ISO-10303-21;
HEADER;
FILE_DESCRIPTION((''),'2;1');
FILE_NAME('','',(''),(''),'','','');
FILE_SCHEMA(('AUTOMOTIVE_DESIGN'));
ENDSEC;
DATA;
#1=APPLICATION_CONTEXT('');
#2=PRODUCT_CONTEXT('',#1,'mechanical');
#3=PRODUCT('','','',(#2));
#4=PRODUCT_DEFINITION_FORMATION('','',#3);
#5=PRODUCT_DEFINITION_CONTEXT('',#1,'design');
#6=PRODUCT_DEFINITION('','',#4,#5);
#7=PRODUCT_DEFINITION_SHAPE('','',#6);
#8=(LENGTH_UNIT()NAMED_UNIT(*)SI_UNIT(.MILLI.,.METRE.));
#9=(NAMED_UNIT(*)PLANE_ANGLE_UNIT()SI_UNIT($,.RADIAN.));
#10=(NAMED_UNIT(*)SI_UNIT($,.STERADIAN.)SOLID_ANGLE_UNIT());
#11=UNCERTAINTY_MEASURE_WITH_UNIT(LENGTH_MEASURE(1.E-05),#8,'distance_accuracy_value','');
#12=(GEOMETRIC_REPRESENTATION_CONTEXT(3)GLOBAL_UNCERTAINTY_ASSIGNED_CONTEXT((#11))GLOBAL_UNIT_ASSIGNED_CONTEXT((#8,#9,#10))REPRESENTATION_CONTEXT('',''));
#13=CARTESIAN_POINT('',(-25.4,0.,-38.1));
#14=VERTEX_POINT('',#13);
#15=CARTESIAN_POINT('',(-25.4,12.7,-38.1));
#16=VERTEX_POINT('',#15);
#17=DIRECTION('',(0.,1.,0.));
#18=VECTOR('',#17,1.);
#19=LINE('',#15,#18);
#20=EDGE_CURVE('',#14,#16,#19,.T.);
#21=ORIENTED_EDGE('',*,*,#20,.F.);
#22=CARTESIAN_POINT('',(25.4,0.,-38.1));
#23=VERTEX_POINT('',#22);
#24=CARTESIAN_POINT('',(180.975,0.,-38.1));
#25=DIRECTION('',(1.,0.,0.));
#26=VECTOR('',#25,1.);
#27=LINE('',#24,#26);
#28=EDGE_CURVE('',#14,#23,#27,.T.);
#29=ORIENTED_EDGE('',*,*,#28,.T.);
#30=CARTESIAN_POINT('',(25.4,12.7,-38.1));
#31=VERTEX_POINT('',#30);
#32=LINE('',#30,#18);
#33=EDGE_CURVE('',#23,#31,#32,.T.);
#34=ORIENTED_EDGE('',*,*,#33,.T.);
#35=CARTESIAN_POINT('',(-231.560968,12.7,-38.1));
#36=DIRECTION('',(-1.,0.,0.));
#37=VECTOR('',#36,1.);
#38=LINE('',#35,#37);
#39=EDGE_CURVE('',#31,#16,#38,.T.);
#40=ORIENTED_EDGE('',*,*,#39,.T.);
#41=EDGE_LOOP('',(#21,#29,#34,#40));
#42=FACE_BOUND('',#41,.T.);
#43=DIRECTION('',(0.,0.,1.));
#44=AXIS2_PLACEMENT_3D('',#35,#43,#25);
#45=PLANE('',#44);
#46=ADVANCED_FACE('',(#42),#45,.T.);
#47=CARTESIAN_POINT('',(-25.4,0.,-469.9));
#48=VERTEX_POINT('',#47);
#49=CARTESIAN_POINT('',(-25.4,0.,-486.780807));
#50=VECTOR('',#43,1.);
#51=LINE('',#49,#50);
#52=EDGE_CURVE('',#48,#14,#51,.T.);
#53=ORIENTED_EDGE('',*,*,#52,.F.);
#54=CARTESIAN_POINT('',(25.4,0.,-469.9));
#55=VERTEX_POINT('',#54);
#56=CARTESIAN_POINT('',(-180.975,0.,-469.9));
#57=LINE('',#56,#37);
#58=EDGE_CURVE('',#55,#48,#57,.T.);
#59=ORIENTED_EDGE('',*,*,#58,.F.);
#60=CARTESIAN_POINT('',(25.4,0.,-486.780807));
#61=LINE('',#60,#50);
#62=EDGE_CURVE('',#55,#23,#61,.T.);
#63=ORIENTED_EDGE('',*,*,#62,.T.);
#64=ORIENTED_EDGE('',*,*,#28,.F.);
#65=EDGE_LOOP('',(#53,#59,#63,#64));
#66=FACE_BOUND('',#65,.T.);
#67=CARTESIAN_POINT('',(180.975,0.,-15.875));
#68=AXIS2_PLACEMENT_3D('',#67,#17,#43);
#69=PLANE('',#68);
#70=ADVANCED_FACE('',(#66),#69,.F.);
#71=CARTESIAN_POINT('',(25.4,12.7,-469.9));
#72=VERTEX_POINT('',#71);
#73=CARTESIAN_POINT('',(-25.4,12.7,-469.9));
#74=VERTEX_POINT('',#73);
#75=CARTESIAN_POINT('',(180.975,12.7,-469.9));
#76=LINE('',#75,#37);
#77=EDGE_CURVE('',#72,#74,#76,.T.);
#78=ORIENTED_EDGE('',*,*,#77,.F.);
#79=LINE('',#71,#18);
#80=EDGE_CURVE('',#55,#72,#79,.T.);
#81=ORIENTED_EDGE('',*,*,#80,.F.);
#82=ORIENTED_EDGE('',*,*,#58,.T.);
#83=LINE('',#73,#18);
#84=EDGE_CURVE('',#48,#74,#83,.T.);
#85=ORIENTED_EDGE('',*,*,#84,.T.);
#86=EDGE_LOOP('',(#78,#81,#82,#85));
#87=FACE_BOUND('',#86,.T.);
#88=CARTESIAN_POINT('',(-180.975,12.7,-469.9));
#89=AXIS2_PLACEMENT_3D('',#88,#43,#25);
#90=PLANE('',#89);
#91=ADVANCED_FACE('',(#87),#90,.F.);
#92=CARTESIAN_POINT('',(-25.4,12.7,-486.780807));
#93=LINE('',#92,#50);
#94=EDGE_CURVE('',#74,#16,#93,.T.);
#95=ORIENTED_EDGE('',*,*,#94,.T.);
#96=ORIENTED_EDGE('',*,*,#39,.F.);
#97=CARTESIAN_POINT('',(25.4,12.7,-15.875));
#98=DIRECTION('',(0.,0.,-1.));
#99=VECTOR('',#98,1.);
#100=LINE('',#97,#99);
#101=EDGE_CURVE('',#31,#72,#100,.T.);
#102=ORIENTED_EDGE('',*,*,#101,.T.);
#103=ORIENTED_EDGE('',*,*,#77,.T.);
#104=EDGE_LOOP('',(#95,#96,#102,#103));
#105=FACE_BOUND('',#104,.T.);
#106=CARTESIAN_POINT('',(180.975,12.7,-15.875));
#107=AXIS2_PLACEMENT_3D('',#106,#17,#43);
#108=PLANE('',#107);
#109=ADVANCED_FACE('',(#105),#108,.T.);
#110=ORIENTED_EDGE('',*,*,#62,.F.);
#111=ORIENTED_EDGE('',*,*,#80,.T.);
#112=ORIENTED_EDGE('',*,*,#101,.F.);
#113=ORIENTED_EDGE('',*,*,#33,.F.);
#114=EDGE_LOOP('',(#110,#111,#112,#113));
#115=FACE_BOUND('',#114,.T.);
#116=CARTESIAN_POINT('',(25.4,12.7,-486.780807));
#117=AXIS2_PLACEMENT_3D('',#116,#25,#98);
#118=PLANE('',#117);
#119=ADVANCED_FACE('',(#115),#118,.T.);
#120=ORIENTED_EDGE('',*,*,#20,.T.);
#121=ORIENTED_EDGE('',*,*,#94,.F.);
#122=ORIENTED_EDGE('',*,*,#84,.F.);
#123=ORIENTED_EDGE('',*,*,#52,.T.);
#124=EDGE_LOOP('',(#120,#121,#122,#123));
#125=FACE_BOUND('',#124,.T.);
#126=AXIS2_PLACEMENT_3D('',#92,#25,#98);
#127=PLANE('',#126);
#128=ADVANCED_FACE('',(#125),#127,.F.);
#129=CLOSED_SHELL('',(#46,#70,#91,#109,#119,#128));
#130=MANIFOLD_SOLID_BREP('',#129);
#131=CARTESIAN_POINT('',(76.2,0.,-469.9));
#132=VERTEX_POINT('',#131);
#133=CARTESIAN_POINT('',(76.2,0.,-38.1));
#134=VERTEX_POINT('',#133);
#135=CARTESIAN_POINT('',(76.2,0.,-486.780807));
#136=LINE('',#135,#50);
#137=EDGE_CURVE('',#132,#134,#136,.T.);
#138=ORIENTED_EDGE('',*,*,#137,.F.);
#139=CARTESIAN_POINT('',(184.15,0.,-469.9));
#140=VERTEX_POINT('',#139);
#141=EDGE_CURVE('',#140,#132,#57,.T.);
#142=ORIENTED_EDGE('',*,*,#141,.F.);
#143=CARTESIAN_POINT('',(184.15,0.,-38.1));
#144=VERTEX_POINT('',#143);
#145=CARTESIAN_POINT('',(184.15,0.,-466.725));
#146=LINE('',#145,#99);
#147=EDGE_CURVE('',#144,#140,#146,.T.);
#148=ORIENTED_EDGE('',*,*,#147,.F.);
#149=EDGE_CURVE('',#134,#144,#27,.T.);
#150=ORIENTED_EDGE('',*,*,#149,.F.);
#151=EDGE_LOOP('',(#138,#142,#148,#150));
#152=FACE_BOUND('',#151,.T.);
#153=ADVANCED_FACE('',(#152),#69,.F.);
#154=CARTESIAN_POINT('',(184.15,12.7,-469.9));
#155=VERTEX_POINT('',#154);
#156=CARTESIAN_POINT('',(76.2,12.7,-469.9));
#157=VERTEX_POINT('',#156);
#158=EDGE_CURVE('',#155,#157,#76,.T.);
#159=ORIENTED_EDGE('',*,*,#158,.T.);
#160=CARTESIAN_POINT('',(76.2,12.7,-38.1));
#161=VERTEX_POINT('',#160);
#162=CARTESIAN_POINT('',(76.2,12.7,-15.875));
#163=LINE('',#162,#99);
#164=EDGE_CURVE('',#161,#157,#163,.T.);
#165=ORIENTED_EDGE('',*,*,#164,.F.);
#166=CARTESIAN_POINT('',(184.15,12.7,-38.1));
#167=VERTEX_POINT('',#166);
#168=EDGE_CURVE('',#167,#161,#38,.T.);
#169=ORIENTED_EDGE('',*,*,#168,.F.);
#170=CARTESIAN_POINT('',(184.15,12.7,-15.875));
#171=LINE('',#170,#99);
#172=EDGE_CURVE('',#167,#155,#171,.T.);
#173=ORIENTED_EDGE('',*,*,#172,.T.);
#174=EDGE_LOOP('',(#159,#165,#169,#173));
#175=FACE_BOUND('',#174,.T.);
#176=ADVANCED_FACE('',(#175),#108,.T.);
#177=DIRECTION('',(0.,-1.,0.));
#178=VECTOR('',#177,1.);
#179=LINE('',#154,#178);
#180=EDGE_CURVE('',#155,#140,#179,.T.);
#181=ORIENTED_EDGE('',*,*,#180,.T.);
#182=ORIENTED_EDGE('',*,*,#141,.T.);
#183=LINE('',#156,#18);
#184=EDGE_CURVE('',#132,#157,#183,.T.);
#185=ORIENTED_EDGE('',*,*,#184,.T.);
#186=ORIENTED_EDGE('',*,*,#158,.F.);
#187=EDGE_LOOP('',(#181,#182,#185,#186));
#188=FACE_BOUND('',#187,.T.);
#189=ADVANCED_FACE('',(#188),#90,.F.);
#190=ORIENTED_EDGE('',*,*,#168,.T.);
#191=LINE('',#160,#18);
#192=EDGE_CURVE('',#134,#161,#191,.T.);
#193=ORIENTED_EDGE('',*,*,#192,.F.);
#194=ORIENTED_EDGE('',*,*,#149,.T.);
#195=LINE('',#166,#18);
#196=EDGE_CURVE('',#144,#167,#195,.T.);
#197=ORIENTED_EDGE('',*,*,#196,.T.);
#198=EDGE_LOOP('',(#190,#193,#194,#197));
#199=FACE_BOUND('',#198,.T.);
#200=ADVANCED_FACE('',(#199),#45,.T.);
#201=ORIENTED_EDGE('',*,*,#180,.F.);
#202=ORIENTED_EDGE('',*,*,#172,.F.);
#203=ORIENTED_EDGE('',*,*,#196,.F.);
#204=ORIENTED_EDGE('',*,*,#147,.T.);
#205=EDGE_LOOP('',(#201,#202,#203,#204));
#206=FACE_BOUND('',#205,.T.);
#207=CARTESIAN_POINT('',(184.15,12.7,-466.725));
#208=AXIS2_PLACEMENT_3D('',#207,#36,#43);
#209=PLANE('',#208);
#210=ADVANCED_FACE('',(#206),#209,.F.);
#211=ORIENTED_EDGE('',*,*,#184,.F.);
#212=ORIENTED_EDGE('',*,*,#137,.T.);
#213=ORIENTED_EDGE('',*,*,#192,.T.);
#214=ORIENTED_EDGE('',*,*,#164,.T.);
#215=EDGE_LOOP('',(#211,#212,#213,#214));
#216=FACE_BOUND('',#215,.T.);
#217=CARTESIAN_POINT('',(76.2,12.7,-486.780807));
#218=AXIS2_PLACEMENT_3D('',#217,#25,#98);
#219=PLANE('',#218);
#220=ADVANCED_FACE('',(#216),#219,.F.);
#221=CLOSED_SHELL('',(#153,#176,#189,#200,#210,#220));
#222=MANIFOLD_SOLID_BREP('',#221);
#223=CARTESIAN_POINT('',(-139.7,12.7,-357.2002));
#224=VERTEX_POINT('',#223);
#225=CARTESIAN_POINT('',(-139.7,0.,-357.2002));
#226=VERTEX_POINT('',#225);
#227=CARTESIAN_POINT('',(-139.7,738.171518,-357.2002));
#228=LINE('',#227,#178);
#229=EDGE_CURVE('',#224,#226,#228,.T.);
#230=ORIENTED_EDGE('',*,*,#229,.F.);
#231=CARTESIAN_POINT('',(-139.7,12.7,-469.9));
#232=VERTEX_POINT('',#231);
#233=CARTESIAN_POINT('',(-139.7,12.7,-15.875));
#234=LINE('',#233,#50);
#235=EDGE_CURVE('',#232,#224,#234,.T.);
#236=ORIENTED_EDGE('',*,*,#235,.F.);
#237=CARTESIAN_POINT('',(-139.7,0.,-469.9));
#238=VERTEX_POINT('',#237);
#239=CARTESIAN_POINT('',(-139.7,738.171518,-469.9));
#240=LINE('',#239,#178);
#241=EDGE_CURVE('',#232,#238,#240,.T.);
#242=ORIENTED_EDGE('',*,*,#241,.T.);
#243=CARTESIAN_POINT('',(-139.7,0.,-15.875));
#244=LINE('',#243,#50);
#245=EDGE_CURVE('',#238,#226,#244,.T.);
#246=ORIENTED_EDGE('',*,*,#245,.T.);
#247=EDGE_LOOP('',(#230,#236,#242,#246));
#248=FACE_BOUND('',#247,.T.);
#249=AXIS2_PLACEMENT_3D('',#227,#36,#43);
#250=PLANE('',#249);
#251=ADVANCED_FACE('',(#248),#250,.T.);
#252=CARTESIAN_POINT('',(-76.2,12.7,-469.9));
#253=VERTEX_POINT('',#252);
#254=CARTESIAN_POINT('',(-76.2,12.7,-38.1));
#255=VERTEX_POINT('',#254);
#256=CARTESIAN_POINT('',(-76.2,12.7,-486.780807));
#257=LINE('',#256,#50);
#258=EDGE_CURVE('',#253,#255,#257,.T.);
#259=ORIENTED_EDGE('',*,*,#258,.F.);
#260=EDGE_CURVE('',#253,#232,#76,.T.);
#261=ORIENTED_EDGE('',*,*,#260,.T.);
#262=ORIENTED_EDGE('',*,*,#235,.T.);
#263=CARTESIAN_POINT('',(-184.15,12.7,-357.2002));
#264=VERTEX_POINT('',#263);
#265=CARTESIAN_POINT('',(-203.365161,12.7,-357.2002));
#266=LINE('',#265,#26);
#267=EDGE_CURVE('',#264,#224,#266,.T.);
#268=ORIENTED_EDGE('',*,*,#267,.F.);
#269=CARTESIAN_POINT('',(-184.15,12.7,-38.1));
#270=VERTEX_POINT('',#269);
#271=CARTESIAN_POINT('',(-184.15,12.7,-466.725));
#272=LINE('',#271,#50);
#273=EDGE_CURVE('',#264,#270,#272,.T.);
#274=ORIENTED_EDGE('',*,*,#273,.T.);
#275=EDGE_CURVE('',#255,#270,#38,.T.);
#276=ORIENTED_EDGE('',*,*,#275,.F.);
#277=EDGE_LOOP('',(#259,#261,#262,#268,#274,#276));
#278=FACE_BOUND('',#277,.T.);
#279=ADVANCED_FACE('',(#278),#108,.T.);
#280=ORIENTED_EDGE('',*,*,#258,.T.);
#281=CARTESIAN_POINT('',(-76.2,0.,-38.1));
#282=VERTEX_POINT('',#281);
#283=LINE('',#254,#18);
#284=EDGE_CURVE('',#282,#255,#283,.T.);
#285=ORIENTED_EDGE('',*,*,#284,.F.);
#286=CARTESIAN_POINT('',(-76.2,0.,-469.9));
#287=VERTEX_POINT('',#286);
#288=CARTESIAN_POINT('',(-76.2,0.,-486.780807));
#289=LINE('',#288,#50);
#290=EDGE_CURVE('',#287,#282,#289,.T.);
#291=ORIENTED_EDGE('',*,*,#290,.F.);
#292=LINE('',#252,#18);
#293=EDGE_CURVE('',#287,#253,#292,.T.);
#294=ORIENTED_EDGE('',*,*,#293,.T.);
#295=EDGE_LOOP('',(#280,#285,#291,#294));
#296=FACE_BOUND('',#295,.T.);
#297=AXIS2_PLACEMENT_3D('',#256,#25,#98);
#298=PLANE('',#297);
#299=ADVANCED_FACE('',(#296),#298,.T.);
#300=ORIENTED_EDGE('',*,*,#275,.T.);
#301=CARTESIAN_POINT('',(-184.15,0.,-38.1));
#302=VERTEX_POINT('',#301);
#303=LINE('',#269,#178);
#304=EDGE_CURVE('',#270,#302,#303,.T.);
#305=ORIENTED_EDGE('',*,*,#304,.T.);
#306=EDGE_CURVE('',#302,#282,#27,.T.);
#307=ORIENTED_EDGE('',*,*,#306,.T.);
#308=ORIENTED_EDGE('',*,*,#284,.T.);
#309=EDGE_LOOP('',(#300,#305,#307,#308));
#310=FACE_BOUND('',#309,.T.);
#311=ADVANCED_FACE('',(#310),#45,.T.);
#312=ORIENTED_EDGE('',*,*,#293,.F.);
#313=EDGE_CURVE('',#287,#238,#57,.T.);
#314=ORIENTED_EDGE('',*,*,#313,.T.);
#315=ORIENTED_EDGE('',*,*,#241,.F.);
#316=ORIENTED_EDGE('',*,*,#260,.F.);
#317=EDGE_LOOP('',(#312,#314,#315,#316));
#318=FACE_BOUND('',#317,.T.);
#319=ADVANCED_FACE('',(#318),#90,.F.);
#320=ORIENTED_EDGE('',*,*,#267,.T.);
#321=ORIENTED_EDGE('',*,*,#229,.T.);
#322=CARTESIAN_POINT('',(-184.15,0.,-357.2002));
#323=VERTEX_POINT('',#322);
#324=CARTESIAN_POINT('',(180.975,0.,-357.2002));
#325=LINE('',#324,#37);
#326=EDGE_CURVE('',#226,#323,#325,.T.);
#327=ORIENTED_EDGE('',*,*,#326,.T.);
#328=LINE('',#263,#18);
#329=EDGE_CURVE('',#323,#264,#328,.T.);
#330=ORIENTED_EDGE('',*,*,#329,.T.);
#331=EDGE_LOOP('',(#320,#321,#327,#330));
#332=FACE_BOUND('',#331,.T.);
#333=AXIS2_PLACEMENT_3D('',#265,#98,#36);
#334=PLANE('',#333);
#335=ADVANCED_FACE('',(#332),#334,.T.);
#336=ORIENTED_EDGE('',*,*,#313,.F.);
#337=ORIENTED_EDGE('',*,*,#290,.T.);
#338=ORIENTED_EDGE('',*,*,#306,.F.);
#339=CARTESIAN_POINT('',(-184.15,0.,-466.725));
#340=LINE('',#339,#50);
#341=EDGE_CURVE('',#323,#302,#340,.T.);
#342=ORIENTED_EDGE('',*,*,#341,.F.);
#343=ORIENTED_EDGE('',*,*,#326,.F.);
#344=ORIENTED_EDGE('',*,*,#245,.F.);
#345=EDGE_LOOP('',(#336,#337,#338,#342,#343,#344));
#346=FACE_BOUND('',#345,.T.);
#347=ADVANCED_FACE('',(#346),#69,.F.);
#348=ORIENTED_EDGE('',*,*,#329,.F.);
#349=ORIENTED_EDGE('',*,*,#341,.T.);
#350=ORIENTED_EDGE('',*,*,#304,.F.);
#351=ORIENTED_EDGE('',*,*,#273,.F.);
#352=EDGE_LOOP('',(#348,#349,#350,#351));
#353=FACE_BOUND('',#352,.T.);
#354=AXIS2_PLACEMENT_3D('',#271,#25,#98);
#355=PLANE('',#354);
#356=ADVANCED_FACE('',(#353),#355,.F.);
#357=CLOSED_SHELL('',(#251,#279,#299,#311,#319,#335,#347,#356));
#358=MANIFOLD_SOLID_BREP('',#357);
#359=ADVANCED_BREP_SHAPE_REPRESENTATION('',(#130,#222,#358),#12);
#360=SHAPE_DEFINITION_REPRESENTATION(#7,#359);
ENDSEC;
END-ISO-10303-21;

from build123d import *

# Parameters (mm, degrees)
EXTRUDE2_DEPTH          = 12.7
SKETCH3_W               = 463.121935294
SKETCH3_H               = 86.735895098
CUT_EXTRUDE1_DEPTH      = 505.854951942
CUT_EXTRUDE2_DEPTH      = 505.854951942
SKETCH5_W               = 50.8
SKETCH5_H               = 476.704079848
CUT_EXTRUDE3_DEPTH      = 505.854951942
CUT_EXTRUDE4_DEPTH      = 505.854951942
CUT_EXTRUDE4_DEPTH_BACK = 505.854951942


with BuildPart() as part:
    # Sketch2 → Extrude2 (new body)
    with BuildSketch(Plane(origin=(0, 0, 0), x_dir=(1, 0, 0), z_dir=(0, 1, 0))):
        with BuildLine():
            Line((180.975, 469.9), (-180.975, 469.9))
            Line((-180.975, 469.9), (-184.15, 469.9))
            Line((-184.15, 469.9), (-184.15, 466.725))
            Line((-184.15, 466.725), (-184.15, 15.875))
            ThreePointArc((-184.15, 15.875), (-183.22006403, 13.62993597), (-180.975, 12.7))
            Line((-180.975, 12.7), (180.975, 12.7))
            ThreePointArc((180.975, 12.7), (183.22006403, 13.62993597), (184.15, 15.875))
            Line((184.15, 15.875), (184.15, 466.725))
            Line((184.15, 466.725), (184.15, 469.9))
            Line((184.15, 469.9), (180.975, 469.9))
        make_face()
    extrude(amount=EXTRUDE2_DEPTH)

    # Sketch3 → Cut-Extrude1 (cut, through all)
    with BuildSketch(Plane(origin=(0, 0, 0), x_dir=(1, 0, 0), z_dir=(0, 1, 0))):
        with Locations((0, -5.267947549)):
            Rectangle(SKETCH3_W, SKETCH3_H)
    extrude(amount=CUT_EXTRUDE1_DEPTH, mode=Mode.SUBTRACT)

    # Sketch4 → Cut-Extrude2 (cut, through all)
    with BuildSketch(Plane(origin=(0, 0, 0), x_dir=(1, 0, 0), z_dir=(0, 1, 0))):
        with BuildLine():
            Line((-165.1, 408.0002), (-203.365160902, 408.0002))
            Line((-203.365160902, 408.0002), (-203.365160902, 357.2002))
            Line((-203.365160902, 357.2002), (-165.1, 357.2002))
            ThreePointArc((-165.1, 357.2002), (-139.7, 382.6002), (-165.1, 408.0002))
        make_face()
    extrude(amount=CUT_EXTRUDE2_DEPTH, mode=Mode.SUBTRACT)

    # Sketch5 → Cut-Extrude3 (cut, through all)
    with BuildSketch(Plane(origin=(0, 0, 0), x_dir=(1, 0, 0), z_dir=(0, 1, 0))):
        with Locations((-50.8, 248.428767098)):
            Rectangle(SKETCH5_W, SKETCH5_H)
        with Locations((50.8, 248.428767098)):
            Rectangle(SKETCH5_W, SKETCH5_H)
    extrude(amount=CUT_EXTRUDE3_DEPTH, mode=Mode.SUBTRACT)


with BuildPart() as cut_extrude3_piece_1:
    # of the separate pieces the step leaves, piece 1, a body of its own (cut_extrude3_pieces)
    add(part.part.solids().sort_by_distance((184.15, 0, -469.9))[0])


with BuildPart() as cut_extrude3_piece_2:
    # of the separate pieces the step leaves, piece 2, a body of its own (cut_extrude3_pieces)
    add(part.part.solids().sort_by_distance((-76.2, 0, -469.9))[0])

    # Sketch6 → Cut-Extrude4 (cut, two sides: drawn at the far end of the back side and taken through both)
    with BuildSketch(Plane(origin=(0, 12.7, 0), x_dir=(-1, 0, 0), z_dir=(0, 1, 0)).offset(-CUT_EXTRUDE4_DEPTH_BACK)):
        Polygon((1273.65, -357.2002), (184.15, -357.2002), (139.7, -357.2002), (139.7, -469.9), (139.7, -1559.4), (1724.822887689, -3054.534251806), (2858.772887689, -1852.334451806), align=None)
    extrude(amount=CUT_EXTRUDE4_DEPTH + CUT_EXTRUDE4_DEPTH_BACK, mode=Mode.SUBTRACT)


with BuildPart() as cut_extrude3_piece_3:
    # of the separate pieces the step leaves, piece 3, a body of its own (cut_extrude3_pieces)
    add(part.part.solids().sort_by_distance((25.4, 0, -469.9))[0])


solid = Compound([cut_extrude3_piece_1.part, cut_extrude3_piece_2.part, cut_extrude3_piece_3.part])
